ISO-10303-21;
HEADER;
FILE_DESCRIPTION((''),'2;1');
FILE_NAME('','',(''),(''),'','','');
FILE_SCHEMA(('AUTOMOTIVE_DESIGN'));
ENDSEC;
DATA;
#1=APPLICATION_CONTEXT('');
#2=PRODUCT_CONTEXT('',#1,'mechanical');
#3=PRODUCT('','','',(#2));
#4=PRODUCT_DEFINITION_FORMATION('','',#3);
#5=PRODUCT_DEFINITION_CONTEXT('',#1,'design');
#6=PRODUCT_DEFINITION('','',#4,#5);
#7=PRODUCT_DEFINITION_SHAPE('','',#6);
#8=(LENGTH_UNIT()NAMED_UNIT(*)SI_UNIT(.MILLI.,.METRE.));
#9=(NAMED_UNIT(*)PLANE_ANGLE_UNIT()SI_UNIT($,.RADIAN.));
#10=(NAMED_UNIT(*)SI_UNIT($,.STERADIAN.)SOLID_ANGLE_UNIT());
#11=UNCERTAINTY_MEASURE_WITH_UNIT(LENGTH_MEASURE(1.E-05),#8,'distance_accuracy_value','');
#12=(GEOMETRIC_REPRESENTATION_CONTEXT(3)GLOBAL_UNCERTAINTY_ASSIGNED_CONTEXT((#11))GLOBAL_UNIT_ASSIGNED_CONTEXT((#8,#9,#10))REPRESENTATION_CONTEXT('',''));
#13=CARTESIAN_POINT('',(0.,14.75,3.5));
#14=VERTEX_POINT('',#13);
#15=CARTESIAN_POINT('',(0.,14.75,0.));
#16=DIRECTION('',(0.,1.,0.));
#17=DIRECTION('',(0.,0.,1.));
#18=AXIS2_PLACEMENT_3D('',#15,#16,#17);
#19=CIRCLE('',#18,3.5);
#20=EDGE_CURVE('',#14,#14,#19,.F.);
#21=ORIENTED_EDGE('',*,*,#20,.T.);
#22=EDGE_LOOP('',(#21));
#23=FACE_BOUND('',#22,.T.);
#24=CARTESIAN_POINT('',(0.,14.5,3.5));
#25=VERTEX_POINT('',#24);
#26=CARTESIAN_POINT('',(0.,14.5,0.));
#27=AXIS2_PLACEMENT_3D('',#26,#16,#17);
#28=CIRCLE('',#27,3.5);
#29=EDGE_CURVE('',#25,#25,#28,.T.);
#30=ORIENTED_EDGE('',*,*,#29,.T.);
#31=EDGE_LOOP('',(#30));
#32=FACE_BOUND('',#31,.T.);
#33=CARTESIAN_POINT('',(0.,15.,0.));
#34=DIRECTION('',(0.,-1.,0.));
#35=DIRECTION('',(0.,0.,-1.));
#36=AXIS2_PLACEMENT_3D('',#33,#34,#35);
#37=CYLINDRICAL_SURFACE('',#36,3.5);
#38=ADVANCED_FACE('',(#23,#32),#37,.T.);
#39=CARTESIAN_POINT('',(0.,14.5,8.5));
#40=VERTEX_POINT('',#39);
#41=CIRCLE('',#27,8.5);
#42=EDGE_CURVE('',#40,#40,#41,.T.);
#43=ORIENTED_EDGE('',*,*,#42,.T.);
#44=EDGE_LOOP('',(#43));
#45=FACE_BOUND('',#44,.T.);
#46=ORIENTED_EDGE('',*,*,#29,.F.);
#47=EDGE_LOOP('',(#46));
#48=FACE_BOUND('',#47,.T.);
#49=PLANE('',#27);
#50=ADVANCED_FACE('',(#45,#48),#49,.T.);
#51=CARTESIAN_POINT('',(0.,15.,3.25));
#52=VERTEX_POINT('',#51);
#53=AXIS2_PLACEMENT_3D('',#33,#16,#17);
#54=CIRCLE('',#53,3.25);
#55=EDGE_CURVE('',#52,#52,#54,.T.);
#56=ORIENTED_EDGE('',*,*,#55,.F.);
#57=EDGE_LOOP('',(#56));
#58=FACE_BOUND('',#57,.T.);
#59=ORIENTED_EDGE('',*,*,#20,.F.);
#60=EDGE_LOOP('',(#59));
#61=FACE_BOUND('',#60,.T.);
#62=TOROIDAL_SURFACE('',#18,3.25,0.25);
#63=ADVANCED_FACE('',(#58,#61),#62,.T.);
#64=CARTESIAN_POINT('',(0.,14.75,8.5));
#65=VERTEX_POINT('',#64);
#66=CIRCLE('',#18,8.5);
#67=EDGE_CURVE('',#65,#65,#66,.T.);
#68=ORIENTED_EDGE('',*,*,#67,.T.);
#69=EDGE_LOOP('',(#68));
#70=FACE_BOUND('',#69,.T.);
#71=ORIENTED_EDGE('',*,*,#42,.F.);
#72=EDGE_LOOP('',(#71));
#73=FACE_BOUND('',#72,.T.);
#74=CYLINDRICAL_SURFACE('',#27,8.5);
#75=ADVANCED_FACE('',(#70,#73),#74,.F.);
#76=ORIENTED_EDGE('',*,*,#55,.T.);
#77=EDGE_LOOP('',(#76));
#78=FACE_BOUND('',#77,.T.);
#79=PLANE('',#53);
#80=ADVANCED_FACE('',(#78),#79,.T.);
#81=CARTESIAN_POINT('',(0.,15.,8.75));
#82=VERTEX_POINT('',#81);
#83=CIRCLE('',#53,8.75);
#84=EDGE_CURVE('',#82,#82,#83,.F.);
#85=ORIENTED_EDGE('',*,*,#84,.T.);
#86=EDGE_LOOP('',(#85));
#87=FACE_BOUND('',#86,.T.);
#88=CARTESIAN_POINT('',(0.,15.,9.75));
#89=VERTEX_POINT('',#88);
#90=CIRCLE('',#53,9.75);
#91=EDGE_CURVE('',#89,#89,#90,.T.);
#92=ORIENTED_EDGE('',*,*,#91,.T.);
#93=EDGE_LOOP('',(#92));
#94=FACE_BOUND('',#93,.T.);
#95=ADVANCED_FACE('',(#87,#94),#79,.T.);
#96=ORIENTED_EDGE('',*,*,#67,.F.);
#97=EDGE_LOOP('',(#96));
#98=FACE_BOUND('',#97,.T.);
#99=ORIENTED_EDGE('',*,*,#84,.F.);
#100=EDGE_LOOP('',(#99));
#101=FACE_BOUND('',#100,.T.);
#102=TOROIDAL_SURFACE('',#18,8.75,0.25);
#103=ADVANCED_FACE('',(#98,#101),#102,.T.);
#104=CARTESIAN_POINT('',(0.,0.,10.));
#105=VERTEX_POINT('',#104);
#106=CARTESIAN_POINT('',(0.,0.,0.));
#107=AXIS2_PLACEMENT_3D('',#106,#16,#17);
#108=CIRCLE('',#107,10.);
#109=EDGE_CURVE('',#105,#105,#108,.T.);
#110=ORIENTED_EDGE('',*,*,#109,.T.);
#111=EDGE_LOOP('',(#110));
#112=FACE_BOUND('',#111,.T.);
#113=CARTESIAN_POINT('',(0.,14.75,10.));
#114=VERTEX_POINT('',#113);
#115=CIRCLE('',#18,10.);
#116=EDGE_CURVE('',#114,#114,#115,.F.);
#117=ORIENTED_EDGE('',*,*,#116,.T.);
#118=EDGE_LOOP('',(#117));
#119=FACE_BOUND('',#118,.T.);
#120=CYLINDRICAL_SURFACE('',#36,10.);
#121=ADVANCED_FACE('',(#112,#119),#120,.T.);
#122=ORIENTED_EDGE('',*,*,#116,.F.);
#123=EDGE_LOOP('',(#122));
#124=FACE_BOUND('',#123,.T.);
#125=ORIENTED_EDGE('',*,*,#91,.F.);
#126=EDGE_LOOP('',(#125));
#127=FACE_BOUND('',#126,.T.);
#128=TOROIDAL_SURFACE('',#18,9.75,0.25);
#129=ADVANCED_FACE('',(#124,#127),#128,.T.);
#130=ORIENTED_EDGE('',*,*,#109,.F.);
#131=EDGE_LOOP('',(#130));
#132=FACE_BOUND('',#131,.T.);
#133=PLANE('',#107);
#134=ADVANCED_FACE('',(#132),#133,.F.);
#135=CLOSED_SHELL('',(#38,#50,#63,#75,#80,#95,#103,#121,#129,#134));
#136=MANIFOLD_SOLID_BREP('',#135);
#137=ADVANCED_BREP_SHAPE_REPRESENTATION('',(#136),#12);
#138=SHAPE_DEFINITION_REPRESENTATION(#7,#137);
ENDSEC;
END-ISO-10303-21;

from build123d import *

# Parameters (mm, degrees)
SKETCH1_R           = 10
BOSS_EXTRUDE1_DEPTH = 15
SKETCH2_R           = 8.5
CUT_EXTRUDE1_DEPTH  = 0.5
SKETCH3_R           = 3.5
BOSS_EXTRUDE2_DEPTH = 0.5
FILLET1_R           = 0.25


with BuildPart() as part:
    # Sketch1 → Boss-Extrude1 (new body)
    with BuildSketch(Plane(origin=(0, 0, 0), x_dir=(1, 0, 0), z_dir=(0, 1, 0))):
        with Locations(Location((0, 0, 0), (0, 0, 270))):
            Circle(SKETCH1_R)
    extrude(amount=BOSS_EXTRUDE1_DEPTH)

    # Sketch2 → Cut-Extrude1 (cut)
    with BuildSketch(Plane(origin=(0, 15, 0), x_dir=(1, 0, 0), z_dir=(0, 1, 0))):
        with Locations(Location((0, 0, 0), (0, 0, 270))):
            Circle(SKETCH2_R)
    extrude(amount=-CUT_EXTRUDE1_DEPTH, mode=Mode.SUBTRACT)

    # Sketch3 → Boss-Extrude2 (add)
    with BuildSketch(Plane(origin=(0, 14.5, 0), x_dir=(1, 0, 0), z_dir=(0, 1, 0))):
        with Locations(Location((0, 0, 0), (0, 0, 270))):
            Circle(SKETCH3_R)
    extrude(amount=BOSS_EXTRUDE2_DEPTH)

    # Fillet1
    fillet1_edges = [part.edges().sort_by_distance(p)[0] for p in [
        (0, 15, -3.5),
        (0, 15, -10),
        (0, 15, -8.5),
    ]]
    fillet(fillet1_edges, radius=FILLET1_R)


solid = part.part
